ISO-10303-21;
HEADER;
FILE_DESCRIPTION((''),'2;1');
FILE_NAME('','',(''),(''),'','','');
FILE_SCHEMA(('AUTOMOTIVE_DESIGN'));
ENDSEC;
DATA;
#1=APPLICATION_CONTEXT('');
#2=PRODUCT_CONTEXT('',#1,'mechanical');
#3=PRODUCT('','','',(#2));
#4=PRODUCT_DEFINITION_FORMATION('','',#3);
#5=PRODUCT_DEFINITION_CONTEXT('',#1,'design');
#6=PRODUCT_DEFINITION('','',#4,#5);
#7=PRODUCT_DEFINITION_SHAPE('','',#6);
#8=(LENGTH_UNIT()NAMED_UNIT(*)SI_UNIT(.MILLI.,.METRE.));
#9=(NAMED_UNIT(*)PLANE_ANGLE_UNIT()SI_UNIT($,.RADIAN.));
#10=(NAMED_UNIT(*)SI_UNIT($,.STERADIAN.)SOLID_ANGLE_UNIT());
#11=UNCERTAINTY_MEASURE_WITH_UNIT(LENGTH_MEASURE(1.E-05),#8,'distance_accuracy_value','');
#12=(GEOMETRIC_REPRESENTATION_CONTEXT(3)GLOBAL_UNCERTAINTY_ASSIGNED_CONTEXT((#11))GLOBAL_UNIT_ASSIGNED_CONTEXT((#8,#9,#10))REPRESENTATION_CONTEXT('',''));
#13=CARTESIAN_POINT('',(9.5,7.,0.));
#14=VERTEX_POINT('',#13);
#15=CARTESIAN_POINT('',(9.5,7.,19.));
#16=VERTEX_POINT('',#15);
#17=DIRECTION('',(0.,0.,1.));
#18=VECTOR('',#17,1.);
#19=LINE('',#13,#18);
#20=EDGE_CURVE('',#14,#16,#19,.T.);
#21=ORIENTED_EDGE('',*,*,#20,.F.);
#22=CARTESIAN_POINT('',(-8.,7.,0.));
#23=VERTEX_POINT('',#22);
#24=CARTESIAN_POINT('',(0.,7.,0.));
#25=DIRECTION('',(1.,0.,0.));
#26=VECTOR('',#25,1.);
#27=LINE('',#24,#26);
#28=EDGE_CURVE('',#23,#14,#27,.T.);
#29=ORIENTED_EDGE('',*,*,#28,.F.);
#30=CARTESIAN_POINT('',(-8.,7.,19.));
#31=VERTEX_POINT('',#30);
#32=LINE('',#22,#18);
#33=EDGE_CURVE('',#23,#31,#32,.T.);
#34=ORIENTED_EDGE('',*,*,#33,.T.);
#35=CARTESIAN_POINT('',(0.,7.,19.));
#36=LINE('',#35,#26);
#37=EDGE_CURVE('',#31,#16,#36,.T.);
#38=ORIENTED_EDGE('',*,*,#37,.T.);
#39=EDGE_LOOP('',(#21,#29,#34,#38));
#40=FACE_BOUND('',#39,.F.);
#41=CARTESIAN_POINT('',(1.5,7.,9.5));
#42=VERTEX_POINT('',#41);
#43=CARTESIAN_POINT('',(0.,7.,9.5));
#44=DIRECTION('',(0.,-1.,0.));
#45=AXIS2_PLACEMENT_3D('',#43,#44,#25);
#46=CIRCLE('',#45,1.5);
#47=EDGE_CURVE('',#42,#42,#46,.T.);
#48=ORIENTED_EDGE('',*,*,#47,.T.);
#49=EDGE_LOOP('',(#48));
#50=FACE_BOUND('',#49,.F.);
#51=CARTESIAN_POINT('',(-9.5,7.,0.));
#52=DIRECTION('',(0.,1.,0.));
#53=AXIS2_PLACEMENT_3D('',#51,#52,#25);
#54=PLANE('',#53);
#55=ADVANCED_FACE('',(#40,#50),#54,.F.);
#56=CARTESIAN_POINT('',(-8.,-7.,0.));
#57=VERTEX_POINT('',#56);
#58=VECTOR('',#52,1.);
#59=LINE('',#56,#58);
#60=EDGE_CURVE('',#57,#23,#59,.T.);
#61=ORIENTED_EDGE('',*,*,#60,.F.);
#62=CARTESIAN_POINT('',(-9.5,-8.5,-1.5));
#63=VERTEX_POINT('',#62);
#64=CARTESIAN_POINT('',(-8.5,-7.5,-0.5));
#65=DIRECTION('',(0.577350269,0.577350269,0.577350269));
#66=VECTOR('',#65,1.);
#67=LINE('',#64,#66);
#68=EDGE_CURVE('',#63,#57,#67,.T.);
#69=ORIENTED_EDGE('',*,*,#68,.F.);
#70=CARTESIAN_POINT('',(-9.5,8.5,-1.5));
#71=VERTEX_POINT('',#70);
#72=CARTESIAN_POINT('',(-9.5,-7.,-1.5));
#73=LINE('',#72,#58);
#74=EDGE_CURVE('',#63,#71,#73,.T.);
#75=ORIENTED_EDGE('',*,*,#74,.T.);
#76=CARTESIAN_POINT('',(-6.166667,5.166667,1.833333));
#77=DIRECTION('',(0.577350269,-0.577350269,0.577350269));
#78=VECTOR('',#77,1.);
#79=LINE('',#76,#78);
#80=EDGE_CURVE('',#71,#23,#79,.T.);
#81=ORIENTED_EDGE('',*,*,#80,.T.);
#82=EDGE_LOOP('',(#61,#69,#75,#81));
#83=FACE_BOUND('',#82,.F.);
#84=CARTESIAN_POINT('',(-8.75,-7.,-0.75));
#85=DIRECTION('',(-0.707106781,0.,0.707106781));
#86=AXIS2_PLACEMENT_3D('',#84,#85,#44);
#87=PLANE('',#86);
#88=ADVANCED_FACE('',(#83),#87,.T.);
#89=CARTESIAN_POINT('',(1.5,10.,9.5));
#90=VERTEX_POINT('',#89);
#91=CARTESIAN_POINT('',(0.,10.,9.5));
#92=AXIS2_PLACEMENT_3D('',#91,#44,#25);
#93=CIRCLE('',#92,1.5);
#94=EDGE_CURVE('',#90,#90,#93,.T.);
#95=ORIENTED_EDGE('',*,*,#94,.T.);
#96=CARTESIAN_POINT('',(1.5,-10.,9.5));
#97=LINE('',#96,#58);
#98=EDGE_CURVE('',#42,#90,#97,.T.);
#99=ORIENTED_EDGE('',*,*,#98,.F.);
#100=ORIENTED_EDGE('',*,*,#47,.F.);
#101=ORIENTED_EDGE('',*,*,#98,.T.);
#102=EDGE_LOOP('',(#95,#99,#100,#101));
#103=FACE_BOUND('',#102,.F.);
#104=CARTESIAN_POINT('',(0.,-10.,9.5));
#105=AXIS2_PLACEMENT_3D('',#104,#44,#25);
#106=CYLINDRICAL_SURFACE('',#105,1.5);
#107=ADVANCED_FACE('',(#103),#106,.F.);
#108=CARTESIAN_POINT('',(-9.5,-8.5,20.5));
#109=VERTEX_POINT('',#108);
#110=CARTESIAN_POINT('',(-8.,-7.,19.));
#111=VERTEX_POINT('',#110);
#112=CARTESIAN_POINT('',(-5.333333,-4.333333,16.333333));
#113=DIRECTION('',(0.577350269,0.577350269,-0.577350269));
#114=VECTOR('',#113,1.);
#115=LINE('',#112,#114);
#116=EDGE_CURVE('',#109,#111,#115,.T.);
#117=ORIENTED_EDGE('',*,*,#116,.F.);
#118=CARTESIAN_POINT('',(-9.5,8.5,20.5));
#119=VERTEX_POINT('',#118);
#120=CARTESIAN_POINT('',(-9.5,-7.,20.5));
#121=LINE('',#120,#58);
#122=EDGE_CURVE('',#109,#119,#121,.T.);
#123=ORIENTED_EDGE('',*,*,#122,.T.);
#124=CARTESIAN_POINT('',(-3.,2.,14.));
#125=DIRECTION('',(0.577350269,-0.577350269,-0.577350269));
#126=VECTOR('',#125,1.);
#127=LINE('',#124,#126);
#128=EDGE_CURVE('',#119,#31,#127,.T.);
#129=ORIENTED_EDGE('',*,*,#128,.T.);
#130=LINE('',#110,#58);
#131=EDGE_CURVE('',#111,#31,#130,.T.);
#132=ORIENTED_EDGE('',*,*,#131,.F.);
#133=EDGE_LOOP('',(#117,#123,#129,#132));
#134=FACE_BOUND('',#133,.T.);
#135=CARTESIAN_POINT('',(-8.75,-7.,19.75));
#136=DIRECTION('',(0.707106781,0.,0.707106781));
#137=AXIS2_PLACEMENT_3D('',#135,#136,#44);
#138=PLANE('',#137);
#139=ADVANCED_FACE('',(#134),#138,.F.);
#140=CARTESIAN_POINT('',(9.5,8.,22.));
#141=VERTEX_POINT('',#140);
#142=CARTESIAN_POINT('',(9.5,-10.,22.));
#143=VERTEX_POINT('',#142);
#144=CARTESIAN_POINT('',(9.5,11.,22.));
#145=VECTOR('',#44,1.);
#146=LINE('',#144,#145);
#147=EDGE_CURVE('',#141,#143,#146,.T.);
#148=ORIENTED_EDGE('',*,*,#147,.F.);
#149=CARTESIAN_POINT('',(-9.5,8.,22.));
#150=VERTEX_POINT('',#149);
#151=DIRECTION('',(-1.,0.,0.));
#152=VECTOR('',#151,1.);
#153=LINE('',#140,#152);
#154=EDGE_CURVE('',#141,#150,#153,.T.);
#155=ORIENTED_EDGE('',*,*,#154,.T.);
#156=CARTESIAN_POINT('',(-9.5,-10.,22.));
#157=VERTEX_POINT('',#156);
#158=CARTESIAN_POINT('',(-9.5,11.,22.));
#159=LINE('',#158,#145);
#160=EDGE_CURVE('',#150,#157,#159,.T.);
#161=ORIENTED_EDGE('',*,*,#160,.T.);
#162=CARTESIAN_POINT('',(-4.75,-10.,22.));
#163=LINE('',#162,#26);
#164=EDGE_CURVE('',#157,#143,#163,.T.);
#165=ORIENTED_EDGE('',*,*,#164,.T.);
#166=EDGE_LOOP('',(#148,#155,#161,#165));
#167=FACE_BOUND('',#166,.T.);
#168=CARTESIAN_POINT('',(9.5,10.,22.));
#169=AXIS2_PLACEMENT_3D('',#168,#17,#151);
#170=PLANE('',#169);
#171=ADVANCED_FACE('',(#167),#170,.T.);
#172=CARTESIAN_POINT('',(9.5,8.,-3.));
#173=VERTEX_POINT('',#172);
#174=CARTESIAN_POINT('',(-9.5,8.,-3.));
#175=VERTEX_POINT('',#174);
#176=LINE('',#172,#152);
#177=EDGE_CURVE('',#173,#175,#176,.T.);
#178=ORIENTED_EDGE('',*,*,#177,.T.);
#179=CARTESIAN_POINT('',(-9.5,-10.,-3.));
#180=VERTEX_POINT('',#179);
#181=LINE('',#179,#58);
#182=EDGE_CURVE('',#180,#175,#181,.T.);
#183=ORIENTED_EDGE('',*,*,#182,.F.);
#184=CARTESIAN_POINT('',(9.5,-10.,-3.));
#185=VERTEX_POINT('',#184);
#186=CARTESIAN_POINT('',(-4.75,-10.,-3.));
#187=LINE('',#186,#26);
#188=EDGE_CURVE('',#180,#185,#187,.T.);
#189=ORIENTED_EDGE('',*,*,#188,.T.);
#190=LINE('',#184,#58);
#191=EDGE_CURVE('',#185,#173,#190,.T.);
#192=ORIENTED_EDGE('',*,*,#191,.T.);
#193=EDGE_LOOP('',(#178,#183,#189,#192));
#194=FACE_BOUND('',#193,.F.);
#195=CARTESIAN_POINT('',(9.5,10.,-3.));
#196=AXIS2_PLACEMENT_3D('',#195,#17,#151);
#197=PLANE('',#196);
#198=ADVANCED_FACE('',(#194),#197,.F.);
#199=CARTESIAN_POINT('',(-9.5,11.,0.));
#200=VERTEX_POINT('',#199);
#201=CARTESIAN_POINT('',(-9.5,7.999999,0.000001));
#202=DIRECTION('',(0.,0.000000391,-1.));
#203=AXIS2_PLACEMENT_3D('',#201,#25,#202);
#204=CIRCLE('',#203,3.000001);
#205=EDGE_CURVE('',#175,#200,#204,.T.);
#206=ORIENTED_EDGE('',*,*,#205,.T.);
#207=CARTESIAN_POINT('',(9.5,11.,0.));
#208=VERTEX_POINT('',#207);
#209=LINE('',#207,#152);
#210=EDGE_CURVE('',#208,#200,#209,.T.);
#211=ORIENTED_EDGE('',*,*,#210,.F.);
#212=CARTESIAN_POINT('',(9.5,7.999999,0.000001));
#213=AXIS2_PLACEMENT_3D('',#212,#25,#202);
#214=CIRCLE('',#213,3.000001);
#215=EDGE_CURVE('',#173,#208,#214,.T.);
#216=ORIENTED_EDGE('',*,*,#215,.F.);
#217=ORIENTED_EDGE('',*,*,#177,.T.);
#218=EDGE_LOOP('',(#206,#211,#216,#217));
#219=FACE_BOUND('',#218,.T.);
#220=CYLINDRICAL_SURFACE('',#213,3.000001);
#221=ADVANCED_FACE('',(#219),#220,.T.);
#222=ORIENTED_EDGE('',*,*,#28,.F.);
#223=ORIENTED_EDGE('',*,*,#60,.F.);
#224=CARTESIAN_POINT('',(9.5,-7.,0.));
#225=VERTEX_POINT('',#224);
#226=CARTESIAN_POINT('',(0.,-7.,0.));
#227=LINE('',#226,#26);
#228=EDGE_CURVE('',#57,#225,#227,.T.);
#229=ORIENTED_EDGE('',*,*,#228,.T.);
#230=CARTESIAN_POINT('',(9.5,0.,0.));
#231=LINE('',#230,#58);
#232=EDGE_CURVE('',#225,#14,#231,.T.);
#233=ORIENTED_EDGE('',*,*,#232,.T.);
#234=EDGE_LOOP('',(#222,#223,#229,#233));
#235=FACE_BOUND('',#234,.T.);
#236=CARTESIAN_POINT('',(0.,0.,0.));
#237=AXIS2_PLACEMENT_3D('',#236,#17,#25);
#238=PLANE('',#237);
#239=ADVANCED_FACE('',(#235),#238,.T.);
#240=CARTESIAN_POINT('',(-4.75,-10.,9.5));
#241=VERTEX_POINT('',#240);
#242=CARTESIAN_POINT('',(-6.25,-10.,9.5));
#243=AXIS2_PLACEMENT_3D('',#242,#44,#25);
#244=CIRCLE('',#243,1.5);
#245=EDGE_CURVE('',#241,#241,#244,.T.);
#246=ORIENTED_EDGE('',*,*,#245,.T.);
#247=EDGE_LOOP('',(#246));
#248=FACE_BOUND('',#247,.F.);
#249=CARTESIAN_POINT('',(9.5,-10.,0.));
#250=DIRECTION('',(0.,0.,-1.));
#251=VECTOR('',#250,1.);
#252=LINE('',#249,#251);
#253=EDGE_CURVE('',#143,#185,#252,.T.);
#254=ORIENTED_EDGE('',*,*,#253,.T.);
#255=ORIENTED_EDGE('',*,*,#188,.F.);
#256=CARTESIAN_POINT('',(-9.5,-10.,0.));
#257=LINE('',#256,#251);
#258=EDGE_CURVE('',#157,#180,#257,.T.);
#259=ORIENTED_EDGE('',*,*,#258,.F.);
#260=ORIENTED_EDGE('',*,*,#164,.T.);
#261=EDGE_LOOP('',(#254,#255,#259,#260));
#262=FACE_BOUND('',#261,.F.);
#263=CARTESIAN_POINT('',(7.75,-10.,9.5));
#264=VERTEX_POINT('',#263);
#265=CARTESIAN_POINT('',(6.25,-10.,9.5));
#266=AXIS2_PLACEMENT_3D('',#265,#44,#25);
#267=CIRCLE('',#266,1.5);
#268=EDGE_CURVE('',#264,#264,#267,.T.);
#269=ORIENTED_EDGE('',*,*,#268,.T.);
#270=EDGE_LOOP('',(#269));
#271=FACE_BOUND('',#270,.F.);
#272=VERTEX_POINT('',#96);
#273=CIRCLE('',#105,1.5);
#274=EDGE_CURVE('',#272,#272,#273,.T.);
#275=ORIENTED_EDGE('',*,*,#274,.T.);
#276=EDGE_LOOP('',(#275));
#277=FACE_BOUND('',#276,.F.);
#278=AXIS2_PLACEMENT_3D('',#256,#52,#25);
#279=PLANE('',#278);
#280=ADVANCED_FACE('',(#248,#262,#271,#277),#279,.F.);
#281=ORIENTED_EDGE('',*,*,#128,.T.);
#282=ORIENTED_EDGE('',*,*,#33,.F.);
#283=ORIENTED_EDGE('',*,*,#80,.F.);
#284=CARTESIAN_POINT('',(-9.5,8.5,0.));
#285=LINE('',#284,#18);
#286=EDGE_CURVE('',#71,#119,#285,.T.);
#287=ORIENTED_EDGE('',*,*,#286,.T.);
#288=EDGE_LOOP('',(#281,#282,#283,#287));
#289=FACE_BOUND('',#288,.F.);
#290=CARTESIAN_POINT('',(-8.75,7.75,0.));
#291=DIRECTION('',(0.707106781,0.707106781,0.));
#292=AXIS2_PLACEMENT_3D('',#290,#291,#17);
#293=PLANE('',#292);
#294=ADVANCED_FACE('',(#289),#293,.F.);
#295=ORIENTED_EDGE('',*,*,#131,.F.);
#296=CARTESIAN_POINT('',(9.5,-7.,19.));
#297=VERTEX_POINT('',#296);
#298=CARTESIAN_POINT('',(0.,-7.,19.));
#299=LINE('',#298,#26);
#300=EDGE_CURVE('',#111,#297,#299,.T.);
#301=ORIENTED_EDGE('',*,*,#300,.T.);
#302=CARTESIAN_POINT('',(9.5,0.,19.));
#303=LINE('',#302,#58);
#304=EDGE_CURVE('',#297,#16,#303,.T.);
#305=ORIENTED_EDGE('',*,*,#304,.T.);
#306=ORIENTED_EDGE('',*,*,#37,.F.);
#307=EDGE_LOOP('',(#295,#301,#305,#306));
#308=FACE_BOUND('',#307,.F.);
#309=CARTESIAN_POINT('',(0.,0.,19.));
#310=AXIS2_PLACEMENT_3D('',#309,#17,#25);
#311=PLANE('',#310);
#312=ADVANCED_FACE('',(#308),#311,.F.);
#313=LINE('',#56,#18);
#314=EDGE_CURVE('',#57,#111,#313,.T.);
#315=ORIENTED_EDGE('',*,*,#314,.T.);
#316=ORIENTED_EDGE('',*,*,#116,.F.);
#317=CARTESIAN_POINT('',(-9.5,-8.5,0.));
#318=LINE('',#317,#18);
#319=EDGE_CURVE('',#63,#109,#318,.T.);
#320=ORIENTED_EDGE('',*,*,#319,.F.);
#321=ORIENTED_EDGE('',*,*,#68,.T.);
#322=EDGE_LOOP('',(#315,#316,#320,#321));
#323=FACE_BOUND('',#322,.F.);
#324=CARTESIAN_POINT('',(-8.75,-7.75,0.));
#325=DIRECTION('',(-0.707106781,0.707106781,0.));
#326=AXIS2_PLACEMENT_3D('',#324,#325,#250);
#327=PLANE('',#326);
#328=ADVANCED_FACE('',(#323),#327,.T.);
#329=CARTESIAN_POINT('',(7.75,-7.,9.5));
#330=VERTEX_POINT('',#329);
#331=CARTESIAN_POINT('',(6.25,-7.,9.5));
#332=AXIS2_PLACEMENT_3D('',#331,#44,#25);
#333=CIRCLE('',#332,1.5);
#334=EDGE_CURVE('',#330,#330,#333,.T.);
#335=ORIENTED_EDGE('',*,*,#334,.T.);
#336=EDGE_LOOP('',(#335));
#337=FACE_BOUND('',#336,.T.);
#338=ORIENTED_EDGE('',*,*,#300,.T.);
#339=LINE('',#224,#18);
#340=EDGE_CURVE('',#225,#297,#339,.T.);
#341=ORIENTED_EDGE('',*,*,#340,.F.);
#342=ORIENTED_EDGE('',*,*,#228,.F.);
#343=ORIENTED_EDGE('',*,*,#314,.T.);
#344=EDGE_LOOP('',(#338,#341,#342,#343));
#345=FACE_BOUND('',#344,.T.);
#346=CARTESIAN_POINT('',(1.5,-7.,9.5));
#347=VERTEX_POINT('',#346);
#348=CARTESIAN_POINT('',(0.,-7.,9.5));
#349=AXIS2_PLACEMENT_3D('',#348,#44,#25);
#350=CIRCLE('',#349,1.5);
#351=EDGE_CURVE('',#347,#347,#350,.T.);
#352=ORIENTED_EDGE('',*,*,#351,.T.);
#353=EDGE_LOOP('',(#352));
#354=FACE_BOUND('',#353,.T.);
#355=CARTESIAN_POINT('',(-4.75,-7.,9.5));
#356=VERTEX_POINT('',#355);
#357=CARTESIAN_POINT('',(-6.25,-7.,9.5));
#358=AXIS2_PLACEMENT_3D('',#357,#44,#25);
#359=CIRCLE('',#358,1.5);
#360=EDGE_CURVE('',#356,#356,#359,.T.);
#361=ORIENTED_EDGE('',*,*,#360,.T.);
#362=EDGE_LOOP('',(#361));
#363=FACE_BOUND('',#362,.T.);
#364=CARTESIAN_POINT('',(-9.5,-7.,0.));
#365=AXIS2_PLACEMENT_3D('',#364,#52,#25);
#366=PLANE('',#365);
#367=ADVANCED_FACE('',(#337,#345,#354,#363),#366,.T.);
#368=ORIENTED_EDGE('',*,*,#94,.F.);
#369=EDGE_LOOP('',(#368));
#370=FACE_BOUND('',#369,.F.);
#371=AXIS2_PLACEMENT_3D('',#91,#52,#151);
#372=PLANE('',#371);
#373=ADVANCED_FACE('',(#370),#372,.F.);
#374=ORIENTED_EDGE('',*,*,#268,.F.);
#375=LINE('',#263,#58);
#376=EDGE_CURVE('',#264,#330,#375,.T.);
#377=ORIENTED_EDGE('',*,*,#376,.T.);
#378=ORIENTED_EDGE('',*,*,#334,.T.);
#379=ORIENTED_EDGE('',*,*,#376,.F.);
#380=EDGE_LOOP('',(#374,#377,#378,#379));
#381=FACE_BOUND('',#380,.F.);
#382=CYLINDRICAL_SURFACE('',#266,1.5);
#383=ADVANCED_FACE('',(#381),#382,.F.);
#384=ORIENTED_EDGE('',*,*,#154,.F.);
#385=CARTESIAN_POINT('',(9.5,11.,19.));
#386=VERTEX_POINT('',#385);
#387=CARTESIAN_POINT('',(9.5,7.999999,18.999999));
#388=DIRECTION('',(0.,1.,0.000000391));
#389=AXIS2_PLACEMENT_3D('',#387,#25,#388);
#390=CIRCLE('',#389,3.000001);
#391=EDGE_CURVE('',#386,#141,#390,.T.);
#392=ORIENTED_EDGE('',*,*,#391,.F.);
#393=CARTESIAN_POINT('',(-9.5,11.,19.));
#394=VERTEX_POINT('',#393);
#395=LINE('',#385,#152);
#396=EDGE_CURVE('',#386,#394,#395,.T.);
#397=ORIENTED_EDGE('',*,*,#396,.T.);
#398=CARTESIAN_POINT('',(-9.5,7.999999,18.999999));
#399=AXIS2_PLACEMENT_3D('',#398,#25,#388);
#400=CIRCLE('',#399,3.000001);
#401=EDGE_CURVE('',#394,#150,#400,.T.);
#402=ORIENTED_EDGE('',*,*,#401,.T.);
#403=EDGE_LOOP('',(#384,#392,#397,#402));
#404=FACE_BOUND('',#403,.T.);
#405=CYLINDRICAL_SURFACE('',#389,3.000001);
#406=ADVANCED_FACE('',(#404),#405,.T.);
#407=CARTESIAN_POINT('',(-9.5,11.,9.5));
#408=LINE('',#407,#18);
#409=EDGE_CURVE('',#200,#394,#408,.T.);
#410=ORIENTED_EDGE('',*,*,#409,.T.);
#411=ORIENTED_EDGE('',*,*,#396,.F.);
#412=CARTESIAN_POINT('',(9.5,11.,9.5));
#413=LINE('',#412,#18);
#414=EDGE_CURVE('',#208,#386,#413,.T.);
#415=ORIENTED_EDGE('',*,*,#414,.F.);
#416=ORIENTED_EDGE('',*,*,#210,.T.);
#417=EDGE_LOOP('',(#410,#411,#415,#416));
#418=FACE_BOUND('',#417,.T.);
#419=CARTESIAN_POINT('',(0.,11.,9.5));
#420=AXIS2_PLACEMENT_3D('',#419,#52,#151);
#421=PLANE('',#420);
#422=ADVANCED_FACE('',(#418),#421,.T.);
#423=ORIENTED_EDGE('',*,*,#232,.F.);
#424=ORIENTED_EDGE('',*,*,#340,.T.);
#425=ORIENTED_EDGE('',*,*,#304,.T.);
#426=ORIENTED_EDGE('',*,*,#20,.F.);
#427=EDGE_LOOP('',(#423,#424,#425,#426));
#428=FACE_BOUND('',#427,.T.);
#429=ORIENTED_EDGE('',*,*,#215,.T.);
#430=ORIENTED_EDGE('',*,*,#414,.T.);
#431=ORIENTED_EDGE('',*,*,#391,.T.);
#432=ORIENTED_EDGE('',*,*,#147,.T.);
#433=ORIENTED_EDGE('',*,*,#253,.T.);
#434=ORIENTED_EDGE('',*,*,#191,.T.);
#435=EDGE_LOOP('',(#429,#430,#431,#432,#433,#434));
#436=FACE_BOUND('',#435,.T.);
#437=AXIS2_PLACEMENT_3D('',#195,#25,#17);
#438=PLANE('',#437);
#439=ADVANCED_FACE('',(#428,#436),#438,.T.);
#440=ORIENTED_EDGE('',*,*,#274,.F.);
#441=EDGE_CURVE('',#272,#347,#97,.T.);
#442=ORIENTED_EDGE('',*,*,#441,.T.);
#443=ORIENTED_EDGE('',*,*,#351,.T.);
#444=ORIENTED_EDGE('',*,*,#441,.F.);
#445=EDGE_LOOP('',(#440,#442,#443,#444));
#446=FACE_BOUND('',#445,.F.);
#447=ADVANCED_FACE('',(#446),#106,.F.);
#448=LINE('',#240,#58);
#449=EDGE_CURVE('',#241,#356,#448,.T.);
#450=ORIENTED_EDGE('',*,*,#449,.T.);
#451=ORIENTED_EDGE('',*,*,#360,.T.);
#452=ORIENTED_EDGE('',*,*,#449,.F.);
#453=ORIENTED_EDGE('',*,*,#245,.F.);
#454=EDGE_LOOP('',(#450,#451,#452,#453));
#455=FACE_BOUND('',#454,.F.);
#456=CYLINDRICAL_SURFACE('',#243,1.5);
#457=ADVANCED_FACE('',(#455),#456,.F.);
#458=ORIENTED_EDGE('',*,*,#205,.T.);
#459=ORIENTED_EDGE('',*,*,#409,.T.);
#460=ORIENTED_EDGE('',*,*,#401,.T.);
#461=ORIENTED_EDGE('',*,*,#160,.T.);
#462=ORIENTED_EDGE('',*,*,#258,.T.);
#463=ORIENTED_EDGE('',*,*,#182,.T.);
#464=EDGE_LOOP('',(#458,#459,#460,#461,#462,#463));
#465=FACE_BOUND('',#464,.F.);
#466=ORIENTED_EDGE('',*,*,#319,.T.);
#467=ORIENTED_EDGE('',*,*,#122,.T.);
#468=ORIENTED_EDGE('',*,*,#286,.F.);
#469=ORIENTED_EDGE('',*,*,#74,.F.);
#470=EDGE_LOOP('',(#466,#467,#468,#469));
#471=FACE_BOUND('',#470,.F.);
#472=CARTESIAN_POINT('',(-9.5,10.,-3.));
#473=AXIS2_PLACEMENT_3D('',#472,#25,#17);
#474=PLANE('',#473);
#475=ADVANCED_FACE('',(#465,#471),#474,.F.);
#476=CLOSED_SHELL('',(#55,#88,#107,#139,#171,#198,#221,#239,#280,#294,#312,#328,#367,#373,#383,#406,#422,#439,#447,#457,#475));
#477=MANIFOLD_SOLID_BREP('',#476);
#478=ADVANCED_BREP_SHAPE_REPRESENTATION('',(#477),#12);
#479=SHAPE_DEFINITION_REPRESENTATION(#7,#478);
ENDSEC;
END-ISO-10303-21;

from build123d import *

# Parameters (mm, degrees)
SKETCH_W        = 19
SKETCH_H        = 14
PAD_DEPTH       = 19
THICKNESS_T     = 3
SKETCH001_R     = 1.5
POCKET_DEPTH    = 20
SKETCH002_R     = 1.5
POCKET001_DEPTH = 3
CHAMFER_SIZE    = 1.5
SKETCH003_W     = 19
SKETCH003_H     = 25
PAD001_DEPTH    = 1
POCKET002_DEPTH = 24


with BuildPart() as part:
    # Sketch → Pad (new body)
    with BuildSketch(Plane.XY):
        Rectangle(SKETCH_W, SKETCH_H)
    extrude(amount=PAD_DEPTH)

    # Thickness
    thickness_openings = [part.faces().sort_by_distance(p)[0] for p in [
        (-9.5, 0, 9.5),
        (9.5, 0, 9.5),
    ]]
    offset(amount=THICKNESS_T, openings=thickness_openings, kind=Kind.INTERSECTION)

    # Sketch001 (on Face8 of Thickness) → Pocket (cut)
    with BuildSketch(Plane.XZ.offset(10)):
        with Locations((0, 9.5)):
            Circle(SKETCH001_R)
    extrude(amount=-POCKET_DEPTH, mode=Mode.SUBTRACT)

    # Sketch002 (on Face10 of Pocket) → Pocket001 (cut)
    with BuildSketch(Plane.XZ.offset(10)):
        with Locations((-6.25, 9.5)):
            Circle(SKETCH002_R)
        with Locations((6.25, 9.5)):
            Circle(SKETCH002_R)
    extrude(amount=-POCKET001_DEPTH, mode=Mode.SUBTRACT)

    # Chamfer
    chamfer_edges = [part.edges().sort_by_distance(p)[0] for p in [
        (-9.5, 0, 0),
        (-9.5, 0, 19),
        (-9.5, 7, 9.5),
        (-9.5, -7, 9.5),
    ]]
    chamfer(chamfer_edges, length=CHAMFER_SIZE)

    # Sketch003 (on Face13 of Chamfer) → Pad001 (join)
    with BuildSketch(Plane(origin=(0, 10, 0), x_dir=(-1, 0, 0), z_dir=(0, 1, 0))):
        with Locations((0, 9.5)):
            Rectangle(SKETCH003_W, SKETCH003_H)
    extrude(amount=PAD001_DEPTH)

    # Sketch004 (on Face4 of Pad001) → Pocket002 (cut)
    with BuildSketch(Plane.YZ.offset(9.5)):
        with BuildLine():
            ThreePointArc((11, 19), (10.12132, 21.12132), (8, 22))
            Line((8, 22), (11, 22))
            Line((11, 22), (11, 19))
        make_face()
        with BuildLine():
            ThreePointArc((8, -3), (10.12132, -2.12132), (11, 0))
            Line((11, 0), (11, -3))
            Line((8, -3), (11, -3))
        make_face()
    extrude(amount=-POCKET002_DEPTH, mode=Mode.SUBTRACT)


solid = part.part
